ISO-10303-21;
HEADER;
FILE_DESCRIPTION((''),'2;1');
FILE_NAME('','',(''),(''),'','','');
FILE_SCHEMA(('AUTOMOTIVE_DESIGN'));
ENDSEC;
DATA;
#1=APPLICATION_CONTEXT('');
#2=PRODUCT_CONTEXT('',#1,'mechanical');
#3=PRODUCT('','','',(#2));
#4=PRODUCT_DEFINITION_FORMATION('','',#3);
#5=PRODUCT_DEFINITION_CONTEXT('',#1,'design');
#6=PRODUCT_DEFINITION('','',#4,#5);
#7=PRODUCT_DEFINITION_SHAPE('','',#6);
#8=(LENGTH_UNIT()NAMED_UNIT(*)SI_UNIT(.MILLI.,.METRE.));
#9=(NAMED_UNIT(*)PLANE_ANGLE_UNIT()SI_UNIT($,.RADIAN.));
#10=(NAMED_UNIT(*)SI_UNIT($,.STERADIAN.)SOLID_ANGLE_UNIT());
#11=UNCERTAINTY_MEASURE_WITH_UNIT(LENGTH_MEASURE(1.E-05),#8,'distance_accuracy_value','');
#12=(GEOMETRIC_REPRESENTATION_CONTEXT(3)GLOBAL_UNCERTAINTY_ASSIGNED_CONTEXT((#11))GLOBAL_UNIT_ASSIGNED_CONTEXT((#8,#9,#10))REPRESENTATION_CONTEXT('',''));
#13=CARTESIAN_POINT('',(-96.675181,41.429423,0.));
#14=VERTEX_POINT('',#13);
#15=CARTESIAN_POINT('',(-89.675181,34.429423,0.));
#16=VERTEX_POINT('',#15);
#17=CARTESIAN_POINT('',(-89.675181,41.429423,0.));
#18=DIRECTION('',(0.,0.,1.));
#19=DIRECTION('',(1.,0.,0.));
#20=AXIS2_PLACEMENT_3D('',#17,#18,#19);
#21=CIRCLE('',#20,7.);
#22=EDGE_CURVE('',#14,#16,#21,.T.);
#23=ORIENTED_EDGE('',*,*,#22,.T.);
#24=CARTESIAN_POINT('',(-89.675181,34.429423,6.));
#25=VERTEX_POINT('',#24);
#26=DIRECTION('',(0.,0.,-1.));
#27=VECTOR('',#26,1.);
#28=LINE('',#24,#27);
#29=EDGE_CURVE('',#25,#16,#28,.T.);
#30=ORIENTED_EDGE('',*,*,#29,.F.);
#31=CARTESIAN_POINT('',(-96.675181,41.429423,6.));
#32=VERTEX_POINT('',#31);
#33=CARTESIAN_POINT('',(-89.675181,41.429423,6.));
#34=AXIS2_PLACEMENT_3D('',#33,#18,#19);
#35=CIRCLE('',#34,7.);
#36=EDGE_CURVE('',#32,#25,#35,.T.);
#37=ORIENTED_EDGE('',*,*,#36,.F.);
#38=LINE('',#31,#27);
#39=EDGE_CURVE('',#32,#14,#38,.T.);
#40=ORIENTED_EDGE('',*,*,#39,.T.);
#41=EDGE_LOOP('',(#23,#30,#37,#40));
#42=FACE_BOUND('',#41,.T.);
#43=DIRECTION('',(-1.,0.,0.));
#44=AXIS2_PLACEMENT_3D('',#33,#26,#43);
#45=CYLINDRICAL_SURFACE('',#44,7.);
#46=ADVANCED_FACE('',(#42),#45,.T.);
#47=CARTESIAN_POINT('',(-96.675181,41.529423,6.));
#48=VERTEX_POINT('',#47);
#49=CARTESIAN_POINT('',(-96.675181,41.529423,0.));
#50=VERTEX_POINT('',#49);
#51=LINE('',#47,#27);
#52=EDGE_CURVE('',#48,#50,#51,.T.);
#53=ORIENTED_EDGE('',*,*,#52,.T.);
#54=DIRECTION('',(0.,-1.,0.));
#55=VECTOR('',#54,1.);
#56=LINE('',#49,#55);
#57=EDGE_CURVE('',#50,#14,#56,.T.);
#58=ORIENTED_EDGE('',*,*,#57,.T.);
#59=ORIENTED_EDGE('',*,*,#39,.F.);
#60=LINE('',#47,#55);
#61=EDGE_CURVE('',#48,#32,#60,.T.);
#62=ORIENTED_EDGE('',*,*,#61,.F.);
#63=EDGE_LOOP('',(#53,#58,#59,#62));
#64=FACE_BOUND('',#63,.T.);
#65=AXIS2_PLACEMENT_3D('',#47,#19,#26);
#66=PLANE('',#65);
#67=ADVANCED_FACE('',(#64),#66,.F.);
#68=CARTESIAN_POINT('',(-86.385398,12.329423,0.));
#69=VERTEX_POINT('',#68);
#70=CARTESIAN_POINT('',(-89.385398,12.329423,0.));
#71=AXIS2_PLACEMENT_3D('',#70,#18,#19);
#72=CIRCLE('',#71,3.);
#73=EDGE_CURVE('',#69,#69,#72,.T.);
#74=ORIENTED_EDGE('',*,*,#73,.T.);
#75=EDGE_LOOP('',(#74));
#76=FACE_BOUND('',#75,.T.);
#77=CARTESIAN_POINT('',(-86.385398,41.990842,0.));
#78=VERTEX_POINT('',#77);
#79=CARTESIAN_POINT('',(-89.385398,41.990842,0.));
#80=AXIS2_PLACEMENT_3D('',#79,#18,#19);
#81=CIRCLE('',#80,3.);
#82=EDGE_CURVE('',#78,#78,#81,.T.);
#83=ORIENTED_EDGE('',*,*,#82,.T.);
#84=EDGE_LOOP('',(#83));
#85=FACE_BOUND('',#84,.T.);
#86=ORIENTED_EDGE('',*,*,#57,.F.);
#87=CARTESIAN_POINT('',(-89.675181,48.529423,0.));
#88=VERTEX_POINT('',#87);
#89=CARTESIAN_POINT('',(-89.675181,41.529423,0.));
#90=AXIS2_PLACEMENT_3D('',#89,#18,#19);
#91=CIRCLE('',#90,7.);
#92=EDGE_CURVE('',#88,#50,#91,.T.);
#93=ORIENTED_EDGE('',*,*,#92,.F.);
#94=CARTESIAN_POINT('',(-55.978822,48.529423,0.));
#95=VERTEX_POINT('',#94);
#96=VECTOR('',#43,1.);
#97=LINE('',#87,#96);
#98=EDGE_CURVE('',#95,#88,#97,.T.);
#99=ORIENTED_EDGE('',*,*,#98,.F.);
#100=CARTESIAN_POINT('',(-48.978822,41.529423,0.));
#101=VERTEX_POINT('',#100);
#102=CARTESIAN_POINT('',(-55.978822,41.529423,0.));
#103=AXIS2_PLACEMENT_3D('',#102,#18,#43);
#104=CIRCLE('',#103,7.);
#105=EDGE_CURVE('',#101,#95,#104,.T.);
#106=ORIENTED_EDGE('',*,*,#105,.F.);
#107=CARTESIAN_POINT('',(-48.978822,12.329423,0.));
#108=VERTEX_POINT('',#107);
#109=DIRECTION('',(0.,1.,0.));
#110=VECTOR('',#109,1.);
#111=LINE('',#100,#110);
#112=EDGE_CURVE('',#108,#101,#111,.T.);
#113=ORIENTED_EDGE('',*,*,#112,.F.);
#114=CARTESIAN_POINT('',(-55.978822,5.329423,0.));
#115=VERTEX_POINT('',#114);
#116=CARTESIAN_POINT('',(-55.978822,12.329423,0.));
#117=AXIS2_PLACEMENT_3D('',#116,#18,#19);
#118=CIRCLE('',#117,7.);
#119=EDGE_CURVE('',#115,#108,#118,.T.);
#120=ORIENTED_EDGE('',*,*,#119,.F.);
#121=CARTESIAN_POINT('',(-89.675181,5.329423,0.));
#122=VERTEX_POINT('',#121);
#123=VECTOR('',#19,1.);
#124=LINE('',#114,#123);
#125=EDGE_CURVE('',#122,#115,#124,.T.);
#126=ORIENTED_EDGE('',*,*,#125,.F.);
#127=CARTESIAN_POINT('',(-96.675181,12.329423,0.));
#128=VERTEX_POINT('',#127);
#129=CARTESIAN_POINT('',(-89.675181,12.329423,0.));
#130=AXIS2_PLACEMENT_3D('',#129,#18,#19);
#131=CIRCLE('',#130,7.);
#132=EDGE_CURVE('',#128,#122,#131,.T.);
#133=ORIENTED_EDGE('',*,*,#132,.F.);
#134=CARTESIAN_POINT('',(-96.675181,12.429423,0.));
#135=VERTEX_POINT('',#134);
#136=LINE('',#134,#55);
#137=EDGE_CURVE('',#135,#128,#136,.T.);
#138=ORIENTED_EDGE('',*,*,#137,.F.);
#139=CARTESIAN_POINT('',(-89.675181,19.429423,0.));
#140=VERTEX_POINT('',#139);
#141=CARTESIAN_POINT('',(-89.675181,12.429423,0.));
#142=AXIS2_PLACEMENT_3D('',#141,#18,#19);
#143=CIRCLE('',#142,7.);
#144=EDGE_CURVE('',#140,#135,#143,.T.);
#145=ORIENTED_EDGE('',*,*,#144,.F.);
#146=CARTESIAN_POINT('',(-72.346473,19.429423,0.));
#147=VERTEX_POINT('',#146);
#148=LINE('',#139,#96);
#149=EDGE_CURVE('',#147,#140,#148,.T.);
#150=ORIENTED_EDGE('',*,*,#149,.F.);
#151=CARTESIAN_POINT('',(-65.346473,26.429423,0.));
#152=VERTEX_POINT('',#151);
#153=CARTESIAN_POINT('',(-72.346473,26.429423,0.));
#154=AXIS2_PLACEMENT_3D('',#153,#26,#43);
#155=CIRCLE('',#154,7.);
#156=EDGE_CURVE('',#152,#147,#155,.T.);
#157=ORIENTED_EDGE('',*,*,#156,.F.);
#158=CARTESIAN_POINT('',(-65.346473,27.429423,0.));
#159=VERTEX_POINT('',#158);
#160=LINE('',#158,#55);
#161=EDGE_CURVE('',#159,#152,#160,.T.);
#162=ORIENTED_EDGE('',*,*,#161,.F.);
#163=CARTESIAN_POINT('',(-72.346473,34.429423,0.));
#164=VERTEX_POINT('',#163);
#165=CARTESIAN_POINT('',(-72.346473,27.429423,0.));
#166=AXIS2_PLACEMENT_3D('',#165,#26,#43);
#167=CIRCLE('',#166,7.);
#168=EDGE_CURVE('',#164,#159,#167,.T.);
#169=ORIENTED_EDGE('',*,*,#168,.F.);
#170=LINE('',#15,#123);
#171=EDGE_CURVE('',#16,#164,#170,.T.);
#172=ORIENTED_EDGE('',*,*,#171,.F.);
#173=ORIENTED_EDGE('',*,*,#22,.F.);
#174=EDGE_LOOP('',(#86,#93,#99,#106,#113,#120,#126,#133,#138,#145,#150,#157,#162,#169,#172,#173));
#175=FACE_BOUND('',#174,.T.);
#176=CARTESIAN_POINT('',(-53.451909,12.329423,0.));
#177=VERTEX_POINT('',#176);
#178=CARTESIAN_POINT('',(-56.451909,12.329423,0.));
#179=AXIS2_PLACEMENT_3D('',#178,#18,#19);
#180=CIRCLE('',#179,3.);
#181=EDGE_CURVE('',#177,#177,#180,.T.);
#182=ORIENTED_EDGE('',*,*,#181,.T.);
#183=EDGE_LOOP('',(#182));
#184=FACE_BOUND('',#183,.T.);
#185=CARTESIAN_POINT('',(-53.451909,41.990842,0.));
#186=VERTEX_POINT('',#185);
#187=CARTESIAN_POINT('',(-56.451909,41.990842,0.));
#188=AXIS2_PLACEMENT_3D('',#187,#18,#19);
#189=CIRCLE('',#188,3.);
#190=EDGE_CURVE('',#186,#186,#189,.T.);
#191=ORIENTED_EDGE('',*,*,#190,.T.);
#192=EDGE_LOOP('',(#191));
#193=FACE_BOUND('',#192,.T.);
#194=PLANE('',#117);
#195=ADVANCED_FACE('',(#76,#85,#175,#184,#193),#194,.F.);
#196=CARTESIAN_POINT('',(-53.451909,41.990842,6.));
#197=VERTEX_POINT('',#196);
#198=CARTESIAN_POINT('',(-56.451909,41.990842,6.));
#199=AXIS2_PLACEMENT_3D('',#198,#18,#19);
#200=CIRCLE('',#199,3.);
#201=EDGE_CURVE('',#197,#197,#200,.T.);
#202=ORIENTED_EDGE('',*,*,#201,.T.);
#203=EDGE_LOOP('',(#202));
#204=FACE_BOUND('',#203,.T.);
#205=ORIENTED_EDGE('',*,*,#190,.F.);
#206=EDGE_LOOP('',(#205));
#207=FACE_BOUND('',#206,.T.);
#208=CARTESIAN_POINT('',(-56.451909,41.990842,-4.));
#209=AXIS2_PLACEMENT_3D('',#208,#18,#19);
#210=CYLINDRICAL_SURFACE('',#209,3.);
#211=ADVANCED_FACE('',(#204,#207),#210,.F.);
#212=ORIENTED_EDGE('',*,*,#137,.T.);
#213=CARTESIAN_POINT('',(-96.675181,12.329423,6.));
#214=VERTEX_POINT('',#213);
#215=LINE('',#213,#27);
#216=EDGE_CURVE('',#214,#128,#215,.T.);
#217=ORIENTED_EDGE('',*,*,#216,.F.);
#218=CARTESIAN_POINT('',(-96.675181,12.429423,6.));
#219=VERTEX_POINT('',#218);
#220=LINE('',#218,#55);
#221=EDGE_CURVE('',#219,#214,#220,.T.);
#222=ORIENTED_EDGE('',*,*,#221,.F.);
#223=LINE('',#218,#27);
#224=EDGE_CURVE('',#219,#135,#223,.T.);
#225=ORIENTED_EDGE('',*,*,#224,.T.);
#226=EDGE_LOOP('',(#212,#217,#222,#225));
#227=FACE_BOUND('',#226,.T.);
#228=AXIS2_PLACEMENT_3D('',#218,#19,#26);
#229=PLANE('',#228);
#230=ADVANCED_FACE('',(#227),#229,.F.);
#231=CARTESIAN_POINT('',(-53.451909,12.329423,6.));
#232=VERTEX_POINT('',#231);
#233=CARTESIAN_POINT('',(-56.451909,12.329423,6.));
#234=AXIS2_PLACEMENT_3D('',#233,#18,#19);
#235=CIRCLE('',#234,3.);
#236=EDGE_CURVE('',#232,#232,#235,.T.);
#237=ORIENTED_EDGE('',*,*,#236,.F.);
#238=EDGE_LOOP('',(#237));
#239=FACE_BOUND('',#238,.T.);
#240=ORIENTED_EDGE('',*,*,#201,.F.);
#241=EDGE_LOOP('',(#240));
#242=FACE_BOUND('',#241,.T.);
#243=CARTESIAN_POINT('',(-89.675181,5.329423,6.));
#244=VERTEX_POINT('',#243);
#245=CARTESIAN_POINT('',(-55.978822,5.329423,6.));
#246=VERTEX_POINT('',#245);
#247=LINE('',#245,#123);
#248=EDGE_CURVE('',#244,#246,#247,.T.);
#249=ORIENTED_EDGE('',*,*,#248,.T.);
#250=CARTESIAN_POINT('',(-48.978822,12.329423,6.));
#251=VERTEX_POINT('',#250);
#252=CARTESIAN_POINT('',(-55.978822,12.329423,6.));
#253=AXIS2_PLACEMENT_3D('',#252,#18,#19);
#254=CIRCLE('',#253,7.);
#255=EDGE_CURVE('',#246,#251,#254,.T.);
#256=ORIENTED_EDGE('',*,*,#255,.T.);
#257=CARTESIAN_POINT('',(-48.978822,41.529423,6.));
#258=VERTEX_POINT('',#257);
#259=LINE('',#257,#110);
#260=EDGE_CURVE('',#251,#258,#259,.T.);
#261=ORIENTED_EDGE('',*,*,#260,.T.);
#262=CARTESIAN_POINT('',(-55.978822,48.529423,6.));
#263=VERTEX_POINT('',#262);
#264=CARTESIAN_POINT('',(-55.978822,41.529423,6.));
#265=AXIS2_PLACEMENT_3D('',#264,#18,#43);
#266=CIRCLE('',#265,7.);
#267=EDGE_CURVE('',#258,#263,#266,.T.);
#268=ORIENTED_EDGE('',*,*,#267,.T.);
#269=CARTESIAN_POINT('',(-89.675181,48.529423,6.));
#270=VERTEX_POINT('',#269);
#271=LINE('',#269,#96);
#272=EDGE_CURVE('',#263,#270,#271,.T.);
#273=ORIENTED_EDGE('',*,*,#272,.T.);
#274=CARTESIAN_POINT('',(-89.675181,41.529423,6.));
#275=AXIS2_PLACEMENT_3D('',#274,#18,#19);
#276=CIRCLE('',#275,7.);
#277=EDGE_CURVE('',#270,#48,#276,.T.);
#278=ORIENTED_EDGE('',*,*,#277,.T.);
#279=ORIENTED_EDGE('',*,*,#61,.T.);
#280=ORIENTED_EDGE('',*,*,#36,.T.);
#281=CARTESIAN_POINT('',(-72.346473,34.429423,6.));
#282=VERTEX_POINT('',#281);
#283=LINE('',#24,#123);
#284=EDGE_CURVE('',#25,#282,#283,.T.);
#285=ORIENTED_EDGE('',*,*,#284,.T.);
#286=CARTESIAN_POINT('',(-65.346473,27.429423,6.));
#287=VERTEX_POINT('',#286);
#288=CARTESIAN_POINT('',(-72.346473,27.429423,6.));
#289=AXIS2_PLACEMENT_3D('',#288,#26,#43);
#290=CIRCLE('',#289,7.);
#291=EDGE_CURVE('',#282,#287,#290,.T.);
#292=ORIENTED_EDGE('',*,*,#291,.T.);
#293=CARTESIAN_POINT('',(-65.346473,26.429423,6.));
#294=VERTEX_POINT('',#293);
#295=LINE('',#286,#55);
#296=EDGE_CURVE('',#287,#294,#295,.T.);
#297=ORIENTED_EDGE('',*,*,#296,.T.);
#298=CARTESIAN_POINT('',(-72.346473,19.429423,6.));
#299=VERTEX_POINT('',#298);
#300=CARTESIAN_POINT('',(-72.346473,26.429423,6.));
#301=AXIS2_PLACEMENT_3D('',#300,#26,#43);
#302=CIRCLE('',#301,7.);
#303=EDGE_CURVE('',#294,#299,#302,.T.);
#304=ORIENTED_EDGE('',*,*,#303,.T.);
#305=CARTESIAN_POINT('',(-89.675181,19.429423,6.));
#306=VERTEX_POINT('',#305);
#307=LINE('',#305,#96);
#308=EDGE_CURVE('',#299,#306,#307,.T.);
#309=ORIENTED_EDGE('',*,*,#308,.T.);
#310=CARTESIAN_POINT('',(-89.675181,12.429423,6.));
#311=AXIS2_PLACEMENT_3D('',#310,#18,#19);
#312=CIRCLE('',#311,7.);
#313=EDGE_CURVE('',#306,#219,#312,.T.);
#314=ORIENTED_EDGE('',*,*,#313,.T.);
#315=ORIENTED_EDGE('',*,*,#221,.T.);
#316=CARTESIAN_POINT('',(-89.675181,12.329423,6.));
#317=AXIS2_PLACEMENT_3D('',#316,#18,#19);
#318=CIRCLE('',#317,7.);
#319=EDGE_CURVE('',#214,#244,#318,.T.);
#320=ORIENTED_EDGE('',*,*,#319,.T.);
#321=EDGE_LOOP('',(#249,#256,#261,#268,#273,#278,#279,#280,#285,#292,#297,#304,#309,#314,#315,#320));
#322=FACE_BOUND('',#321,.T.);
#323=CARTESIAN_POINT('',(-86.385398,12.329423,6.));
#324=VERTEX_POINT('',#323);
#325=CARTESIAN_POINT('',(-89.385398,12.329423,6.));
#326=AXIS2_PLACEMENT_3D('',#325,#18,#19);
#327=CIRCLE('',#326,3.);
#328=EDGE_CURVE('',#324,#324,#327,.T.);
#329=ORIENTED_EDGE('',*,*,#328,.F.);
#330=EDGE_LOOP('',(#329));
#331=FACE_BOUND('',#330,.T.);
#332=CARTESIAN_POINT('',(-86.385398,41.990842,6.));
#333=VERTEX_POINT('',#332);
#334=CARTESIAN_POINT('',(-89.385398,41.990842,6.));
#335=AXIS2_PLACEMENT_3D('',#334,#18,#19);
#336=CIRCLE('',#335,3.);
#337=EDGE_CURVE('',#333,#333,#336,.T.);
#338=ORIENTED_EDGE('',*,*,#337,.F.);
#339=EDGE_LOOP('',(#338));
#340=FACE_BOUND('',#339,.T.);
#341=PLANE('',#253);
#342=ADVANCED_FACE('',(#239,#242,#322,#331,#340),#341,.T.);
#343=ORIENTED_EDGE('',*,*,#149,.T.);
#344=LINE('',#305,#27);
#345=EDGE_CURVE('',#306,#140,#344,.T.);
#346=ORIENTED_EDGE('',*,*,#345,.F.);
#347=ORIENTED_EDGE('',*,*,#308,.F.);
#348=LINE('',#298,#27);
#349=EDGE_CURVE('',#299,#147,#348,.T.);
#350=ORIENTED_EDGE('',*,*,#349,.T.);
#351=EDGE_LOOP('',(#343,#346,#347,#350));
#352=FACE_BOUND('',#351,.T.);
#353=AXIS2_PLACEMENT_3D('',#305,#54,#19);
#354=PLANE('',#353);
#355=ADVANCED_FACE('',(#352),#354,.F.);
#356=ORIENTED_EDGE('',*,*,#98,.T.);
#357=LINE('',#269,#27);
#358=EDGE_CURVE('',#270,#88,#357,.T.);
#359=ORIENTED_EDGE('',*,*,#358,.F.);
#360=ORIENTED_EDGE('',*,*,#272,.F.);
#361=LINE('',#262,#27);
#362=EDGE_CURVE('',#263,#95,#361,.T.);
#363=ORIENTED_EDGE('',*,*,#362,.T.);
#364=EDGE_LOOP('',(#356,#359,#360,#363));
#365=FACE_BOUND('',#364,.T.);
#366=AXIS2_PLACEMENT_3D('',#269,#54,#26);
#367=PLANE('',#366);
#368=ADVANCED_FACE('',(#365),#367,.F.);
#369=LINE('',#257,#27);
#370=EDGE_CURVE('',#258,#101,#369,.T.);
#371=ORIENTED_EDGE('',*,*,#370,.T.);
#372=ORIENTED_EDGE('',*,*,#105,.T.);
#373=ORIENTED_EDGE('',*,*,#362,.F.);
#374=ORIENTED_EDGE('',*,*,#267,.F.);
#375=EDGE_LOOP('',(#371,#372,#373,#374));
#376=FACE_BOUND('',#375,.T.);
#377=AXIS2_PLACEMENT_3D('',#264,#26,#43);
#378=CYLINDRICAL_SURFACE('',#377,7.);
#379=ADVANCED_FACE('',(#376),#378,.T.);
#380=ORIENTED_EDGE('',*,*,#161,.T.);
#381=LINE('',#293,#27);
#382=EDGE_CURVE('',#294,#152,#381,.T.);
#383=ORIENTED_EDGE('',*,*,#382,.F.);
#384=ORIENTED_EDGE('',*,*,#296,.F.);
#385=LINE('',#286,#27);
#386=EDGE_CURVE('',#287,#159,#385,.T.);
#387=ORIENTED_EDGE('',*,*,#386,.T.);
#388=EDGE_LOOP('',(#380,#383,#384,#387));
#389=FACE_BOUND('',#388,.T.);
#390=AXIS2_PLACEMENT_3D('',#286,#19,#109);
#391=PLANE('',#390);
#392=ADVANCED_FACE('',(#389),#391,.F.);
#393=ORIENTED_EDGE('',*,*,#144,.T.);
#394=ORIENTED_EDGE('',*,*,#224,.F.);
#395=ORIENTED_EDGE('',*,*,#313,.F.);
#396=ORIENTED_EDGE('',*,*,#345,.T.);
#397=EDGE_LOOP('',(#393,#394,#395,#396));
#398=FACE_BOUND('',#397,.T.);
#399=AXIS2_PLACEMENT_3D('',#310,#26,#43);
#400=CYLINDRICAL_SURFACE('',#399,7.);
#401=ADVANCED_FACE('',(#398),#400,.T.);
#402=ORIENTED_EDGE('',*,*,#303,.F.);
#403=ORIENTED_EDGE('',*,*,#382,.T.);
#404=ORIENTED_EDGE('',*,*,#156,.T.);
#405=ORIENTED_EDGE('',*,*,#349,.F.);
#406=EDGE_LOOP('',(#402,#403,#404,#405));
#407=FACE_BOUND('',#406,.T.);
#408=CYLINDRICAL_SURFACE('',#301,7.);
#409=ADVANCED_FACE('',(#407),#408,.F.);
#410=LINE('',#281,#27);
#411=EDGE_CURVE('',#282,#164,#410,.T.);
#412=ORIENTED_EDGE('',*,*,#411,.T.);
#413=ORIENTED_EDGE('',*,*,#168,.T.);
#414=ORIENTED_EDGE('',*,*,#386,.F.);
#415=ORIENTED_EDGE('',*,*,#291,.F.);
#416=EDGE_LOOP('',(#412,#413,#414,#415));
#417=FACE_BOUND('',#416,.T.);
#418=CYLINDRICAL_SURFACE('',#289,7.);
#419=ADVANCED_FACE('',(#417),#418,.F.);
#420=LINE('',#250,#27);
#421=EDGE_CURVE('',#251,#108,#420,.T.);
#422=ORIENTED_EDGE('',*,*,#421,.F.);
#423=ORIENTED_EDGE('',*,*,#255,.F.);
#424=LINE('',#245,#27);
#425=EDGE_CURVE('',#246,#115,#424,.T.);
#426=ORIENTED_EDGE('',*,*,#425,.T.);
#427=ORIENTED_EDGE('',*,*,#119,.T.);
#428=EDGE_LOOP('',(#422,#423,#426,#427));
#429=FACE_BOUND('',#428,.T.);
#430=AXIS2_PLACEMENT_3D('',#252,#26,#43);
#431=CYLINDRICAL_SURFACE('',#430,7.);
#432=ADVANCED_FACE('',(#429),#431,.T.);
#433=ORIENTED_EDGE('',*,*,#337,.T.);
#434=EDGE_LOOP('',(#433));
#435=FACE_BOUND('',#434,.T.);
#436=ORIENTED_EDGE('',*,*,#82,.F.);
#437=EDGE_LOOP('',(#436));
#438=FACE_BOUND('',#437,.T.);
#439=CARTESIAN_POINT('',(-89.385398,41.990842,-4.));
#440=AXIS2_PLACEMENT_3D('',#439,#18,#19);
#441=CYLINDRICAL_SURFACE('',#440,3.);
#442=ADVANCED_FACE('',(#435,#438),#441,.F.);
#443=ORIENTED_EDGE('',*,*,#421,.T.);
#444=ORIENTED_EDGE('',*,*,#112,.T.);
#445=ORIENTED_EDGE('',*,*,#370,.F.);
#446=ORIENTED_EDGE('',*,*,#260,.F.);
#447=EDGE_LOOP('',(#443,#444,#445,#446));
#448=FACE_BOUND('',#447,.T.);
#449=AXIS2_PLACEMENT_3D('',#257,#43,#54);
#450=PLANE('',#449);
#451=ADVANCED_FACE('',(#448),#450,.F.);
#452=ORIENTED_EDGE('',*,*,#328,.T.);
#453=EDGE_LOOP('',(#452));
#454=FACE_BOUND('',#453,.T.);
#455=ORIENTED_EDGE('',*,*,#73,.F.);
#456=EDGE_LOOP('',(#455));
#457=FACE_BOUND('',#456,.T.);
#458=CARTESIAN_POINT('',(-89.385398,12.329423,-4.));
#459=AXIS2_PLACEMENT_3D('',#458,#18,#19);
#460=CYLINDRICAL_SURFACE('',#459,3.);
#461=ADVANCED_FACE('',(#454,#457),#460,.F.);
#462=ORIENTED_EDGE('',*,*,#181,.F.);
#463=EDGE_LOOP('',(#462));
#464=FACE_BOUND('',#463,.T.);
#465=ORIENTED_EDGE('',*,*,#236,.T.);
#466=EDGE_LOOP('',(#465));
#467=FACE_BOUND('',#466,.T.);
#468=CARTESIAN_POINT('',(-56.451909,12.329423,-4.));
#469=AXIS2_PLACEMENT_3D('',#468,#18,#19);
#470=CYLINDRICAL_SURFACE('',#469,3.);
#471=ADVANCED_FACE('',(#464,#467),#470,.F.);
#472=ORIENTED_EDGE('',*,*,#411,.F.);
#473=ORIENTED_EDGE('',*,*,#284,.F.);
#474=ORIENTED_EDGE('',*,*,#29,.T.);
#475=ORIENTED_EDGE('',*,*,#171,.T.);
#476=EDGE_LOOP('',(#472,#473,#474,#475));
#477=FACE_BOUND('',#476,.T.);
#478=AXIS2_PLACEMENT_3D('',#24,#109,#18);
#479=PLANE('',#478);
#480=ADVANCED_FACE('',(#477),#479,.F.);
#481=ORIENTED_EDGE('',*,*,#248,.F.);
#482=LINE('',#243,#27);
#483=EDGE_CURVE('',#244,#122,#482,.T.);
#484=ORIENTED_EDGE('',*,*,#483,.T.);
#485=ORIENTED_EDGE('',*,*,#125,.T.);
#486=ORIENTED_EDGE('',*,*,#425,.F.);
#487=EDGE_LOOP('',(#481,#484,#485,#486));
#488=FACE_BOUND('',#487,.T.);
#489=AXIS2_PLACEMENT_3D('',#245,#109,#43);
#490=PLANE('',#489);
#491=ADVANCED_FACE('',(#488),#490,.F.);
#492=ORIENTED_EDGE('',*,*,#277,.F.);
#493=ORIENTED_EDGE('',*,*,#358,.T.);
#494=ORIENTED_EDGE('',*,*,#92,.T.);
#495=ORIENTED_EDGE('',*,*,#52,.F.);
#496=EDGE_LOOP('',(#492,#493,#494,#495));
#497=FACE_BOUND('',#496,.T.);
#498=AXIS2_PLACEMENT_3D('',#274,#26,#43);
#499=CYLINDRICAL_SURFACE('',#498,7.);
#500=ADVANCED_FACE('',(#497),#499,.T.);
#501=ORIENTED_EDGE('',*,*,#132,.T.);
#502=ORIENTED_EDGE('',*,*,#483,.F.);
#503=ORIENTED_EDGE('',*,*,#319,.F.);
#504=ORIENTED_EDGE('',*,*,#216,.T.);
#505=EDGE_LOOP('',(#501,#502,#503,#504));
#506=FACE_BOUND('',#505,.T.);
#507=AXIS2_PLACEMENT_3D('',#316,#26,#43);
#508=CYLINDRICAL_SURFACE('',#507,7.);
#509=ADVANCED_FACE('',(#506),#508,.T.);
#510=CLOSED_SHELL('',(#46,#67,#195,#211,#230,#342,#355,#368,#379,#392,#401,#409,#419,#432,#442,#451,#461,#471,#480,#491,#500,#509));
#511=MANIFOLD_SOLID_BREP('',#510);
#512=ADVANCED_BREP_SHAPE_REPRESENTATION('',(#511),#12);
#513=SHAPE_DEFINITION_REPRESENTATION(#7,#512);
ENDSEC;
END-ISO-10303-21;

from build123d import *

# Parameters (mm, degrees)
BOSS_EXTRUDE1_DEPTH = 6
SKETCH2_R           = 3
CUT_EXTRUDE1_DEPTH  = 10


with BuildPart() as part:
    # Sketch1 → Boss-Extrude1 (new body)
    with BuildSketch(Plane.XY):
        with BuildLine():
            Line((-96.675181291, 41.529422732), (-96.675181291, 41.429422732))
            ThreePointArc((-96.675181291, 41.429422732), (-94.62492876, 36.479675264), (-89.675181291, 34.429422732))
            Line((-89.675181291, 34.429422732), (-72.346473379, 34.429422732))
            ThreePointArc((-72.346473379, 34.429422732), (-67.396725911, 32.379170201), (-65.346473379, 27.429422732))
            Line((-65.346473379, 27.429422732), (-65.346473379, 26.429422732))
            ThreePointArc((-65.346473379, 26.429422732), (-67.396725911, 21.479675264), (-72.346473379, 19.429422732))
            Line((-72.346473379, 19.429422732), (-89.675181291, 19.429422732))
            ThreePointArc((-89.675181291, 19.429422732), (-94.62492876, 17.379170201), (-96.675181291, 12.429422732))
            Line((-96.675181291, 12.429422732), (-96.675181291, 12.329422732))
            ThreePointArc((-96.675181291, 12.329422732), (-94.62492876, 7.379675264), (-89.675181291, 5.329422732))
            Line((-89.675181291, 5.329422732), (-55.978821898, 5.329422732))
            ThreePointArc((-55.978821898, 5.329422732), (-51.02907443, 7.379675264), (-48.978821898, 12.329422732))
            Line((-48.978821898, 12.329422732), (-48.978821898, 41.529422732))
            ThreePointArc((-48.978821898, 41.529422732), (-51.02907443, 46.479170201), (-55.978821898, 48.529422732))
            Line((-55.978821898, 48.529422732), (-89.675181291, 48.529422732))
            ThreePointArc((-89.675181291, 48.529422732), (-94.62492876, 46.479170201), (-96.675181291, 41.529422732))
        make_face()
    extrude(amount=BOSS_EXTRUDE1_DEPTH)

    # Sketch2 → Cut-Extrude1 (cut)
    with BuildSketch(Plane.XY.offset(6)):
        with Locations((-89.385397691, 41.99084206)):
            Circle(SKETCH2_R)
        with Locations((-56.451908776, 41.99084206)):
            Circle(SKETCH2_R)
        with Locations((-56.451908776, 12.329422732)):
            Circle(SKETCH2_R)
        with Locations((-89.385397691, 12.329422732)):
            Circle(SKETCH2_R)
    extrude(amount=-CUT_EXTRUDE1_DEPTH, mode=Mode.SUBTRACT)


solid = part.part
